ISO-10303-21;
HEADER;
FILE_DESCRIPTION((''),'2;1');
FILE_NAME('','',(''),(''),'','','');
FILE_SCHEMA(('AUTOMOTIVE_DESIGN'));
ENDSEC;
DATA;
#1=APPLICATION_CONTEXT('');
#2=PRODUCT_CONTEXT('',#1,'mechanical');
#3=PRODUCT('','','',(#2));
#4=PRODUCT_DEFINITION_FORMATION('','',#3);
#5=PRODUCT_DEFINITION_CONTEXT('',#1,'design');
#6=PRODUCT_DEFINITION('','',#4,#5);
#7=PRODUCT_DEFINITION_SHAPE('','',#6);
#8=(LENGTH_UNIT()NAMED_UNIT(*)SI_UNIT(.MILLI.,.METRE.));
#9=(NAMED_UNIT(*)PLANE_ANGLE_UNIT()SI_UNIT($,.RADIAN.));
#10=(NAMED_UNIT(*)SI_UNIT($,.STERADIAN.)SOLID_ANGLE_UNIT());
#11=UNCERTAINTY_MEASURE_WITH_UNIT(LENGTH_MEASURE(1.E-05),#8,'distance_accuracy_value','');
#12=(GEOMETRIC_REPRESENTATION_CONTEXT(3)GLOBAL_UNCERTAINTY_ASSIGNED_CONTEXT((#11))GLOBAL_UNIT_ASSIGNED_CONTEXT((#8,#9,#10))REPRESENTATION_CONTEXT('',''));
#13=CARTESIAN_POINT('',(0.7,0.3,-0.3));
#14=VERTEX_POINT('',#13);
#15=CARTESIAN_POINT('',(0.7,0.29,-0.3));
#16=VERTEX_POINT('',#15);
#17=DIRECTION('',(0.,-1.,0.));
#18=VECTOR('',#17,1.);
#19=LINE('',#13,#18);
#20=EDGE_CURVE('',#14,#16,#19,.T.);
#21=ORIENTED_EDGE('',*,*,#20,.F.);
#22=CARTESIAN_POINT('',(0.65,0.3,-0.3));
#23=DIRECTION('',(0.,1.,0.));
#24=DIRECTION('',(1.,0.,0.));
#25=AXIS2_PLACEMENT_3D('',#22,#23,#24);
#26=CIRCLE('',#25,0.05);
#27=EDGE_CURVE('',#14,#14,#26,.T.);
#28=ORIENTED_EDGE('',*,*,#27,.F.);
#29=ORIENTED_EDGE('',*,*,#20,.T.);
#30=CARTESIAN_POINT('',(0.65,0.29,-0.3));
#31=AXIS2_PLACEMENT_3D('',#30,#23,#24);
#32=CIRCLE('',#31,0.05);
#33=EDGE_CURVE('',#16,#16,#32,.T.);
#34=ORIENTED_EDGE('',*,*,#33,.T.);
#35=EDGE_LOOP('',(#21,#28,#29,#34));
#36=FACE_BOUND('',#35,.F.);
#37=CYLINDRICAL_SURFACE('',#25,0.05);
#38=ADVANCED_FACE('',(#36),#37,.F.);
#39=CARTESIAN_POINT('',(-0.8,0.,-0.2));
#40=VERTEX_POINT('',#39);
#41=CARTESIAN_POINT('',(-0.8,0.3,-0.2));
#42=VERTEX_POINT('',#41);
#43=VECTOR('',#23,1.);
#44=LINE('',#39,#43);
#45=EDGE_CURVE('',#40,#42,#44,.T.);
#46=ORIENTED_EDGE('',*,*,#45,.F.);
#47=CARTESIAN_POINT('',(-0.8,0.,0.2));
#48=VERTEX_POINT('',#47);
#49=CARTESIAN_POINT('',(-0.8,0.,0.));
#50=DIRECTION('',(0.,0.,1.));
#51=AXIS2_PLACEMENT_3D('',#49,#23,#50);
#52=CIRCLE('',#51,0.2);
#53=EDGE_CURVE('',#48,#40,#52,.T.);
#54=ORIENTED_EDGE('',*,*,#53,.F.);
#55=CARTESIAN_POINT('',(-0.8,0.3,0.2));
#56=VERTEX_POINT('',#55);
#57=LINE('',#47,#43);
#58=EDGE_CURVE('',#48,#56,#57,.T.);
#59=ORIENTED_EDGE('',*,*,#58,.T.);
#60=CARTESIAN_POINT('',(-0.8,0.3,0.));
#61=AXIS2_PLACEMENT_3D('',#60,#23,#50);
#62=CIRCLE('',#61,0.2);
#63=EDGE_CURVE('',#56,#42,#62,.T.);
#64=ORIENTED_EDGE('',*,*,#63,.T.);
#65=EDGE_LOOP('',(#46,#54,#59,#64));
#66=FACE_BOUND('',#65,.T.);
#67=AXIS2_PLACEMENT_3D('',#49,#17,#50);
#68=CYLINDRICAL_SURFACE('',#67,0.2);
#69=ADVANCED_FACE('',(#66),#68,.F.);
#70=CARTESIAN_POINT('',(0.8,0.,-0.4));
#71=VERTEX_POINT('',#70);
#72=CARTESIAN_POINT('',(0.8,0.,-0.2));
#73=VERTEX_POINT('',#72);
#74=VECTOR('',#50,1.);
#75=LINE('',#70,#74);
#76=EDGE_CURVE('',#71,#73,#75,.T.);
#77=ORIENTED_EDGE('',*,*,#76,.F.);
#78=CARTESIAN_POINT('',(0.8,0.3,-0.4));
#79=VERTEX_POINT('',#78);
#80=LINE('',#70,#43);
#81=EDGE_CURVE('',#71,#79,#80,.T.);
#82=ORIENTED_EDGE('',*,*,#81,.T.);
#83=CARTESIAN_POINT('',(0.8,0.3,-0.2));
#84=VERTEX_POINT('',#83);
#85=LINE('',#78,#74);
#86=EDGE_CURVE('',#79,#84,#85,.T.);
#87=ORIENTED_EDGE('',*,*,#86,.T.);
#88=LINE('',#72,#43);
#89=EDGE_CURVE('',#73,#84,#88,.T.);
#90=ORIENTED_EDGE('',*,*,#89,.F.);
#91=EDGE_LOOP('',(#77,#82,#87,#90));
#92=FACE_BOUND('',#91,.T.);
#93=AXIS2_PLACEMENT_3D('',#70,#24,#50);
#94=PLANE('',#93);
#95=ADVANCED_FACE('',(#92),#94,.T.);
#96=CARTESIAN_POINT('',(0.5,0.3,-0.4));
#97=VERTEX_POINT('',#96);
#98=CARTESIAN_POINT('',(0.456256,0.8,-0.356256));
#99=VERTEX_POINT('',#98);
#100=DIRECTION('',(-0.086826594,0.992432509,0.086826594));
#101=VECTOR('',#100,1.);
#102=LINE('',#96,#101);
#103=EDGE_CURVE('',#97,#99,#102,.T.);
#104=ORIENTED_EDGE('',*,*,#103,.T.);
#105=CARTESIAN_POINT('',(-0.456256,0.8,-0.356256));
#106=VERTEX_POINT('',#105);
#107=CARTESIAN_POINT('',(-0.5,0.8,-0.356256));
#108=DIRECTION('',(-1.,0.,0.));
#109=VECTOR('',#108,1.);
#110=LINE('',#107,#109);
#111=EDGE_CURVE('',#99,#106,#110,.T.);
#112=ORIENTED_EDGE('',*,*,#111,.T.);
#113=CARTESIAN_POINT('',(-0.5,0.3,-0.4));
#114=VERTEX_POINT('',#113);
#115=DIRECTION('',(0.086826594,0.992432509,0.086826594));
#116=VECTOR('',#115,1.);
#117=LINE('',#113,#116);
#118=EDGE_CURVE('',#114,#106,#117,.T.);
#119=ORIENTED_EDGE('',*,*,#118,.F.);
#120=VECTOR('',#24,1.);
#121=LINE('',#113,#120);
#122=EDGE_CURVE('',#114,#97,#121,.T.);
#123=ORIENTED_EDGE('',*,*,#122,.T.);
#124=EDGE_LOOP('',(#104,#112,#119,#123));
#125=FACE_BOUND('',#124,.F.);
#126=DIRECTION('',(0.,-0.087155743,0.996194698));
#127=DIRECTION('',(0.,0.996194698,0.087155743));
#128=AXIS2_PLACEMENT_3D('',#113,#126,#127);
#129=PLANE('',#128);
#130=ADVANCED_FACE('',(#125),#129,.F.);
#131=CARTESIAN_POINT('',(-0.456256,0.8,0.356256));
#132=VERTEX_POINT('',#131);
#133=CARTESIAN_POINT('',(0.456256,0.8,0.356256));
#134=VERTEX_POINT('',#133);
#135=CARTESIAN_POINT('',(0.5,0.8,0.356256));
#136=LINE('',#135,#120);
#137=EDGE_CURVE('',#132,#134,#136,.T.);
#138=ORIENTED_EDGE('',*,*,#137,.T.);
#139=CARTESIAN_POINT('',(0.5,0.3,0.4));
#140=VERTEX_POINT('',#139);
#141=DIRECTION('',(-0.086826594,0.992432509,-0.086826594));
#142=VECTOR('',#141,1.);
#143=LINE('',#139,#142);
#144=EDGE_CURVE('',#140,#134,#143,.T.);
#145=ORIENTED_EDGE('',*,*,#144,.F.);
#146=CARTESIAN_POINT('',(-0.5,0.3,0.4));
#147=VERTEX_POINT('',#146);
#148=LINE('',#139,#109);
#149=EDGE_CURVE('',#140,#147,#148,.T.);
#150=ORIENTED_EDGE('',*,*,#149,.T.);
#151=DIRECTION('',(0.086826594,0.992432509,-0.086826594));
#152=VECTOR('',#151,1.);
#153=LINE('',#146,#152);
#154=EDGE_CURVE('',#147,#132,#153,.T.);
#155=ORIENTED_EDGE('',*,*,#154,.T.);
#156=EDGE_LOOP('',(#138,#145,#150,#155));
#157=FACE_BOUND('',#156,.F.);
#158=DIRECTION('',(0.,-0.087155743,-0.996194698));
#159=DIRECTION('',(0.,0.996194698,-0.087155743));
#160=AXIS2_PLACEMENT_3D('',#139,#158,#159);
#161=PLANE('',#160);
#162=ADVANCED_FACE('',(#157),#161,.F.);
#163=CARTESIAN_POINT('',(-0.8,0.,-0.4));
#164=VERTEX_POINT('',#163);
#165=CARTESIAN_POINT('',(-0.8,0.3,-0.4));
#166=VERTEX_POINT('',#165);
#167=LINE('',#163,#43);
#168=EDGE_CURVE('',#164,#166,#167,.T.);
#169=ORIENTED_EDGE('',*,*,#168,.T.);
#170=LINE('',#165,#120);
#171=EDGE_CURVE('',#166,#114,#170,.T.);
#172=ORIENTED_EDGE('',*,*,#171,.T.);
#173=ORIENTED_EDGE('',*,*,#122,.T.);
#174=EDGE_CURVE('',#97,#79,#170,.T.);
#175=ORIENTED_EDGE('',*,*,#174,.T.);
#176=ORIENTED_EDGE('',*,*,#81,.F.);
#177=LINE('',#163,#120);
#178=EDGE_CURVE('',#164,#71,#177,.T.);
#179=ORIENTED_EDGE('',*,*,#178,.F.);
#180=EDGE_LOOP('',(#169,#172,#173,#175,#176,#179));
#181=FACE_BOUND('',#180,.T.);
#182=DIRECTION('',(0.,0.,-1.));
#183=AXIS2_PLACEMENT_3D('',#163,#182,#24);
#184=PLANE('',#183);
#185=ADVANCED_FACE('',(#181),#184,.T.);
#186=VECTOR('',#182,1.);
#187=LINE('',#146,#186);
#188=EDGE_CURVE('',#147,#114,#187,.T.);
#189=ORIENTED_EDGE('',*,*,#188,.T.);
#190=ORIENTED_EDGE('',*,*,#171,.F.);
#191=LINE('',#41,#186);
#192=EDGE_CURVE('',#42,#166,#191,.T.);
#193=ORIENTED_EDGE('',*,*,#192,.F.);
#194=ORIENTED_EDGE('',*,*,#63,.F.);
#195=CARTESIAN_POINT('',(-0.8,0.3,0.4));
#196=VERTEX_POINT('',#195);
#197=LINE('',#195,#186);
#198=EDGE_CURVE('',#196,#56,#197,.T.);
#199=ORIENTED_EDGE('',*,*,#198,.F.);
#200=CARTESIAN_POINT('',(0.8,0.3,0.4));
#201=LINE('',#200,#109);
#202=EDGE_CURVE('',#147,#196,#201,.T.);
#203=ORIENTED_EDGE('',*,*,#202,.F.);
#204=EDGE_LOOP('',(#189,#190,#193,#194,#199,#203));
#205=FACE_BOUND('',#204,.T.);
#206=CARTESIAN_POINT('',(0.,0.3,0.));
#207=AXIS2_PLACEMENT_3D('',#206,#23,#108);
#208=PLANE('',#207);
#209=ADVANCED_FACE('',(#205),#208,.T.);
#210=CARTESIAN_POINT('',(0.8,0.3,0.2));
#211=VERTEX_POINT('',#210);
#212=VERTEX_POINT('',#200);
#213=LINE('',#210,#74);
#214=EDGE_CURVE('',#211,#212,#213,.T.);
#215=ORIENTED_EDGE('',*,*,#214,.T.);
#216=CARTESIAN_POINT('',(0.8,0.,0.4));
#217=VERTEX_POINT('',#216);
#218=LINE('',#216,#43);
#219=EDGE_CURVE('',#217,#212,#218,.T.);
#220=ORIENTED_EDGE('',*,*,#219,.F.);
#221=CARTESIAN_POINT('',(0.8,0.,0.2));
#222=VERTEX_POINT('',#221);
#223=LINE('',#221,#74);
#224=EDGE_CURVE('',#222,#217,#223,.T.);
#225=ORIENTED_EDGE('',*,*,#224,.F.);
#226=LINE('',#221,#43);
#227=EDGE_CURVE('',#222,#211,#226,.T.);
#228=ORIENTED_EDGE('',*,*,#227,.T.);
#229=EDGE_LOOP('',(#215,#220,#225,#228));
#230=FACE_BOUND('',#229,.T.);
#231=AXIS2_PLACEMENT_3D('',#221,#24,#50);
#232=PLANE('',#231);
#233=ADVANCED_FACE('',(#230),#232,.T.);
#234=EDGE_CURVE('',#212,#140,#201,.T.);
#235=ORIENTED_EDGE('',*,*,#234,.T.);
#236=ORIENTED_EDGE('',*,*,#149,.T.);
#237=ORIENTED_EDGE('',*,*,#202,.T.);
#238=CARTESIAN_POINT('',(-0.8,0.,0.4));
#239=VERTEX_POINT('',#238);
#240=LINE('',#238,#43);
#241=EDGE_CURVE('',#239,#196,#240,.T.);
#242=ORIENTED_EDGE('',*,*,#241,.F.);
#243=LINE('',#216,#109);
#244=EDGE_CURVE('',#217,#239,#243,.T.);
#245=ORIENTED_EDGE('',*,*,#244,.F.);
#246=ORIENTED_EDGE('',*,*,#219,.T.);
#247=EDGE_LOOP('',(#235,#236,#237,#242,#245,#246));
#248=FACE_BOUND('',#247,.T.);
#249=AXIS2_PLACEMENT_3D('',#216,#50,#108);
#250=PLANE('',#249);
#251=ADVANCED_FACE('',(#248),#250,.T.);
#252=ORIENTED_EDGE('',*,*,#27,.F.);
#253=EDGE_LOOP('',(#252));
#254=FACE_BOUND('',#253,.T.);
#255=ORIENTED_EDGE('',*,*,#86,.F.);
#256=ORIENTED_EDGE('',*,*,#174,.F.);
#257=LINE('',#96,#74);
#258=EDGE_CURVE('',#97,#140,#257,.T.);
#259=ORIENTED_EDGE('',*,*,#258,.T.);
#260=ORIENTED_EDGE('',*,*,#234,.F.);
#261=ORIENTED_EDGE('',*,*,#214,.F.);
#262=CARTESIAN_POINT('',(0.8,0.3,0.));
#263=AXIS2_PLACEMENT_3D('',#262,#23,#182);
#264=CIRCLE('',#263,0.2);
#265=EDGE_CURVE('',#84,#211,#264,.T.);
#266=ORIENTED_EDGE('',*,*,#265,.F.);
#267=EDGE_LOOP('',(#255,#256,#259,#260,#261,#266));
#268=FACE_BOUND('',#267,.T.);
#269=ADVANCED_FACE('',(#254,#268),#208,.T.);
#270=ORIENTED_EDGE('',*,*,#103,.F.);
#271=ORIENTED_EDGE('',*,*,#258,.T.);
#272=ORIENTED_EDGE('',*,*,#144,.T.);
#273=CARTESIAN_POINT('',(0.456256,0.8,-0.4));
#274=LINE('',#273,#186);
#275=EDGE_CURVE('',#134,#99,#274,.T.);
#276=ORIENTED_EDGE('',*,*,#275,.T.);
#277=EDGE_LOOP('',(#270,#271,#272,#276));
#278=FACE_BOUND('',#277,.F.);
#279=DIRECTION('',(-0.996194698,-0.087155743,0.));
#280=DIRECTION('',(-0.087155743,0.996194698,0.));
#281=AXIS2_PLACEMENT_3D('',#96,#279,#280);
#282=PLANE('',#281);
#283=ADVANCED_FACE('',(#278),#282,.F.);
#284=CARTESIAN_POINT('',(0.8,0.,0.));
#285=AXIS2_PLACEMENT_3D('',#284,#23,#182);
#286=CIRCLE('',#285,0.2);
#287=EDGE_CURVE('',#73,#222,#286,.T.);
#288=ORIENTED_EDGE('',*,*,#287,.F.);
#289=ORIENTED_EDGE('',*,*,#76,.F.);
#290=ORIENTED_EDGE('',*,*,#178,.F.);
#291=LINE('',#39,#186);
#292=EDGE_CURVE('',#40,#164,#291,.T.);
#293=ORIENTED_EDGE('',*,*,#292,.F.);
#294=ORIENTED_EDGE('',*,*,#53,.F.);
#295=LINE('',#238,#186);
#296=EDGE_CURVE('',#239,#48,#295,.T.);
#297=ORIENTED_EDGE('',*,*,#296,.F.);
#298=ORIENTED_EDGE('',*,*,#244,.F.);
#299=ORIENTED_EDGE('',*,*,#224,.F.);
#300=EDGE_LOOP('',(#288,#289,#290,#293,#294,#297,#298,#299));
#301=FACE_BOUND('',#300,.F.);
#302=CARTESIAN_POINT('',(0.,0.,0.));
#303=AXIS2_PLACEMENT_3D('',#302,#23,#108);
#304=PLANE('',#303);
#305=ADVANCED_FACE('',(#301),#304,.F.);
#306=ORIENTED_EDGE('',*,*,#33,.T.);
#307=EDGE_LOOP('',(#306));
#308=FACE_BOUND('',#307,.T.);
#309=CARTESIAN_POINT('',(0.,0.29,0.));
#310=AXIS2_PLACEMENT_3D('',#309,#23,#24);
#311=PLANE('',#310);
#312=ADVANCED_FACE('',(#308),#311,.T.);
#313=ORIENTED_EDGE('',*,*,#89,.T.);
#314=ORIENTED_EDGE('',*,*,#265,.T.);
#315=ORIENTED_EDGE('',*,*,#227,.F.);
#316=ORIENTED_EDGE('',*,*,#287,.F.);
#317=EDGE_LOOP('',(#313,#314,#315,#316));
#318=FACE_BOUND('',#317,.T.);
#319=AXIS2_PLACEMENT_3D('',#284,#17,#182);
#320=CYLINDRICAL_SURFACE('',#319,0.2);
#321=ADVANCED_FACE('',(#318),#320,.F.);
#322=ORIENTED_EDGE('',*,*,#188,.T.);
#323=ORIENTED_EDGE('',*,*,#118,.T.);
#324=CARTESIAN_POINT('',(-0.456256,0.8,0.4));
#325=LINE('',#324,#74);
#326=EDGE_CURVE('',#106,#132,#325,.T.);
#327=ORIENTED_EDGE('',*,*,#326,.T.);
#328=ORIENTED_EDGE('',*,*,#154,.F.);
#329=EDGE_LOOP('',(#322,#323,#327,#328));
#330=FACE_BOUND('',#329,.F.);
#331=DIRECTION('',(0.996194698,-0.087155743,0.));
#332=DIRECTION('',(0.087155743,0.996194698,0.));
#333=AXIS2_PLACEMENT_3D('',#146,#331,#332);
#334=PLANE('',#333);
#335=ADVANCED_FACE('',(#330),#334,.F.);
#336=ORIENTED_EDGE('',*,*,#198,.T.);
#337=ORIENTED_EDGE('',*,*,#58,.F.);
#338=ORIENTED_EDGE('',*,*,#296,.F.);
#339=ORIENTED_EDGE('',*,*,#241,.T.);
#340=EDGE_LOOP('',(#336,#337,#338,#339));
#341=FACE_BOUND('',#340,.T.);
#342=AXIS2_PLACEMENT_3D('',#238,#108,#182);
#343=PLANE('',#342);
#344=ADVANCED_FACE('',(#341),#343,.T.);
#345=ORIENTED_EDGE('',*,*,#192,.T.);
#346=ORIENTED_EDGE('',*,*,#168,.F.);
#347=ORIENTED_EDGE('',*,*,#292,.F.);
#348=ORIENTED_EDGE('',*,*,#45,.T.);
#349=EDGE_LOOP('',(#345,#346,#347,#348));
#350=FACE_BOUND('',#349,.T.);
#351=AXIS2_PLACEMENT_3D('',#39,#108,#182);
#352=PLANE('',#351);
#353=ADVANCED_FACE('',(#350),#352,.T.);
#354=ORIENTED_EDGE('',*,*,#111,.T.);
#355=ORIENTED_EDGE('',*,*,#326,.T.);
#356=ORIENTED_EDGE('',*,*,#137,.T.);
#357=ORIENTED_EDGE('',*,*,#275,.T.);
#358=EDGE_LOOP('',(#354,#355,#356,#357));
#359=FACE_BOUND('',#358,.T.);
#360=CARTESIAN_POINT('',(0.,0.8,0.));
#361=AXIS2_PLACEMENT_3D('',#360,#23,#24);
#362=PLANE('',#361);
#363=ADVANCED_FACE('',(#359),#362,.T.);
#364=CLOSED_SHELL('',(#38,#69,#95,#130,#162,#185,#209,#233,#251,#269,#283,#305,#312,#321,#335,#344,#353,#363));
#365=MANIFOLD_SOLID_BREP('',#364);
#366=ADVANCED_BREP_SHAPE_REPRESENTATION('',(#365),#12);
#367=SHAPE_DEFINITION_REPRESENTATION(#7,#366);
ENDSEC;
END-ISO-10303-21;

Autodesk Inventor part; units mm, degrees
ref_plane "YZ Plane" through (0, 0, 0) normal (1, 0, 0) x (0, 1, 0)
ref_plane "XZ Plane" through (0, 0, 0) normal (0, 1, 0) x (-1, 0, 0)
ref_plane "XY Plane" through (0, 0, 0) normal (0, 0, 1) x (1, 0, 0)
sketch "Sketch10" plane through (0, 0, 0) normal (0, 1, 0) x (-1, 0, 0)
  line L0 (0.8, -0.4) -> (-0.8, -0.4)
  line L1 (-0.8, 0.4) -> (0.8, 0.4)
  arc A0 (0.8, 0.2) -> (0.8, -0.2) centre (0.8, 0) ccw
  arc A1 (-0.8, -0.2) -> (-0.8, 0.2) centre (-0.8, 0) ccw
  line L2 (0.8, 0.4) -> (0.8, 0.2)
  line L3 (0.8, -0.2) -> (0.8, -0.4)
  line L4 (-0.8, -0.4) -> (-0.8, -0.2)
  line L5 (-0.8, 0.2) -> (-0.8, 0.4)
  point P0 (0, 0)
  point P1 (0, -0.4)
  dimension "d7" = 1.6
  dimension "d8" = 0.8
  dimension "d9" = 0.2
extrude "Extrusion4" add sketch "Sketch10" along normal blind 0.3
sketch "Sketch11" plane through (0, 0.3, 0) normal (0, 1, 0) x (1, 0, 0)
  line L0 (0.8, 0.4) -> (-0.8, 0.4) construction
  line L1 (-0.8, 0.4) -> (-0.8, 0.2) projected
  arc A0 (-0.8, -0.2) -> (-0.8, 0.2) centre (-0.8, 0) ccw projected
  line L2 (-0.8, -0.2) -> (-0.8, -0.4) projected
  line L3 (-0.8, -0.4) -> (0.8, -0.4) construction
  line L4 (0.8, -0.4) -> (0.8, -0.2) construction
  arc A1 (0.8, 0.2) -> (0.8, -0.2) centre (0.8, 0) ccw construction
  line L5 (0.8, 0.2) -> (0.8, 0.4) construction
  line L6 (-0.5, 0.4) -> (0.5, 0.4)
  line L7 (0.5, 0.4) -> (0.5, -0.4)
  line L8 (0.5, -0.4) -> (-0.5, -0.4)
  line L9 (-0.5, -0.4) -> (-0.5, 0.4)
  circle A2 centre (0, 0) radius 0.15
  circle A3 centre (0.65, 0.3) radius 0.05
  point P0 (0, 0.4)
  point P1 (0, -0.4)
  point P2 (0.5, 0)
  dimension "d12" = 1
  dimension "d13" = 0.8
  dimension "d16" = 0.3
  dimension "d20" = 0.15
  dimension "d21" = 0.1
  dimension "d22" = 0.1
extrude "Extrusion6" add sketch "Sketch11" along normal blind 0.1 contours A2
extrude "Extrusion5" add sketch "Sketch11" along normal blind 0.5 draft -5 contours L6 L7 L8 L9 | A2
extrude "Extrusion7" cut sketch "Sketch11" against normal blind 0.01 contours A3
properties part number "HSMG-C190 LED"
